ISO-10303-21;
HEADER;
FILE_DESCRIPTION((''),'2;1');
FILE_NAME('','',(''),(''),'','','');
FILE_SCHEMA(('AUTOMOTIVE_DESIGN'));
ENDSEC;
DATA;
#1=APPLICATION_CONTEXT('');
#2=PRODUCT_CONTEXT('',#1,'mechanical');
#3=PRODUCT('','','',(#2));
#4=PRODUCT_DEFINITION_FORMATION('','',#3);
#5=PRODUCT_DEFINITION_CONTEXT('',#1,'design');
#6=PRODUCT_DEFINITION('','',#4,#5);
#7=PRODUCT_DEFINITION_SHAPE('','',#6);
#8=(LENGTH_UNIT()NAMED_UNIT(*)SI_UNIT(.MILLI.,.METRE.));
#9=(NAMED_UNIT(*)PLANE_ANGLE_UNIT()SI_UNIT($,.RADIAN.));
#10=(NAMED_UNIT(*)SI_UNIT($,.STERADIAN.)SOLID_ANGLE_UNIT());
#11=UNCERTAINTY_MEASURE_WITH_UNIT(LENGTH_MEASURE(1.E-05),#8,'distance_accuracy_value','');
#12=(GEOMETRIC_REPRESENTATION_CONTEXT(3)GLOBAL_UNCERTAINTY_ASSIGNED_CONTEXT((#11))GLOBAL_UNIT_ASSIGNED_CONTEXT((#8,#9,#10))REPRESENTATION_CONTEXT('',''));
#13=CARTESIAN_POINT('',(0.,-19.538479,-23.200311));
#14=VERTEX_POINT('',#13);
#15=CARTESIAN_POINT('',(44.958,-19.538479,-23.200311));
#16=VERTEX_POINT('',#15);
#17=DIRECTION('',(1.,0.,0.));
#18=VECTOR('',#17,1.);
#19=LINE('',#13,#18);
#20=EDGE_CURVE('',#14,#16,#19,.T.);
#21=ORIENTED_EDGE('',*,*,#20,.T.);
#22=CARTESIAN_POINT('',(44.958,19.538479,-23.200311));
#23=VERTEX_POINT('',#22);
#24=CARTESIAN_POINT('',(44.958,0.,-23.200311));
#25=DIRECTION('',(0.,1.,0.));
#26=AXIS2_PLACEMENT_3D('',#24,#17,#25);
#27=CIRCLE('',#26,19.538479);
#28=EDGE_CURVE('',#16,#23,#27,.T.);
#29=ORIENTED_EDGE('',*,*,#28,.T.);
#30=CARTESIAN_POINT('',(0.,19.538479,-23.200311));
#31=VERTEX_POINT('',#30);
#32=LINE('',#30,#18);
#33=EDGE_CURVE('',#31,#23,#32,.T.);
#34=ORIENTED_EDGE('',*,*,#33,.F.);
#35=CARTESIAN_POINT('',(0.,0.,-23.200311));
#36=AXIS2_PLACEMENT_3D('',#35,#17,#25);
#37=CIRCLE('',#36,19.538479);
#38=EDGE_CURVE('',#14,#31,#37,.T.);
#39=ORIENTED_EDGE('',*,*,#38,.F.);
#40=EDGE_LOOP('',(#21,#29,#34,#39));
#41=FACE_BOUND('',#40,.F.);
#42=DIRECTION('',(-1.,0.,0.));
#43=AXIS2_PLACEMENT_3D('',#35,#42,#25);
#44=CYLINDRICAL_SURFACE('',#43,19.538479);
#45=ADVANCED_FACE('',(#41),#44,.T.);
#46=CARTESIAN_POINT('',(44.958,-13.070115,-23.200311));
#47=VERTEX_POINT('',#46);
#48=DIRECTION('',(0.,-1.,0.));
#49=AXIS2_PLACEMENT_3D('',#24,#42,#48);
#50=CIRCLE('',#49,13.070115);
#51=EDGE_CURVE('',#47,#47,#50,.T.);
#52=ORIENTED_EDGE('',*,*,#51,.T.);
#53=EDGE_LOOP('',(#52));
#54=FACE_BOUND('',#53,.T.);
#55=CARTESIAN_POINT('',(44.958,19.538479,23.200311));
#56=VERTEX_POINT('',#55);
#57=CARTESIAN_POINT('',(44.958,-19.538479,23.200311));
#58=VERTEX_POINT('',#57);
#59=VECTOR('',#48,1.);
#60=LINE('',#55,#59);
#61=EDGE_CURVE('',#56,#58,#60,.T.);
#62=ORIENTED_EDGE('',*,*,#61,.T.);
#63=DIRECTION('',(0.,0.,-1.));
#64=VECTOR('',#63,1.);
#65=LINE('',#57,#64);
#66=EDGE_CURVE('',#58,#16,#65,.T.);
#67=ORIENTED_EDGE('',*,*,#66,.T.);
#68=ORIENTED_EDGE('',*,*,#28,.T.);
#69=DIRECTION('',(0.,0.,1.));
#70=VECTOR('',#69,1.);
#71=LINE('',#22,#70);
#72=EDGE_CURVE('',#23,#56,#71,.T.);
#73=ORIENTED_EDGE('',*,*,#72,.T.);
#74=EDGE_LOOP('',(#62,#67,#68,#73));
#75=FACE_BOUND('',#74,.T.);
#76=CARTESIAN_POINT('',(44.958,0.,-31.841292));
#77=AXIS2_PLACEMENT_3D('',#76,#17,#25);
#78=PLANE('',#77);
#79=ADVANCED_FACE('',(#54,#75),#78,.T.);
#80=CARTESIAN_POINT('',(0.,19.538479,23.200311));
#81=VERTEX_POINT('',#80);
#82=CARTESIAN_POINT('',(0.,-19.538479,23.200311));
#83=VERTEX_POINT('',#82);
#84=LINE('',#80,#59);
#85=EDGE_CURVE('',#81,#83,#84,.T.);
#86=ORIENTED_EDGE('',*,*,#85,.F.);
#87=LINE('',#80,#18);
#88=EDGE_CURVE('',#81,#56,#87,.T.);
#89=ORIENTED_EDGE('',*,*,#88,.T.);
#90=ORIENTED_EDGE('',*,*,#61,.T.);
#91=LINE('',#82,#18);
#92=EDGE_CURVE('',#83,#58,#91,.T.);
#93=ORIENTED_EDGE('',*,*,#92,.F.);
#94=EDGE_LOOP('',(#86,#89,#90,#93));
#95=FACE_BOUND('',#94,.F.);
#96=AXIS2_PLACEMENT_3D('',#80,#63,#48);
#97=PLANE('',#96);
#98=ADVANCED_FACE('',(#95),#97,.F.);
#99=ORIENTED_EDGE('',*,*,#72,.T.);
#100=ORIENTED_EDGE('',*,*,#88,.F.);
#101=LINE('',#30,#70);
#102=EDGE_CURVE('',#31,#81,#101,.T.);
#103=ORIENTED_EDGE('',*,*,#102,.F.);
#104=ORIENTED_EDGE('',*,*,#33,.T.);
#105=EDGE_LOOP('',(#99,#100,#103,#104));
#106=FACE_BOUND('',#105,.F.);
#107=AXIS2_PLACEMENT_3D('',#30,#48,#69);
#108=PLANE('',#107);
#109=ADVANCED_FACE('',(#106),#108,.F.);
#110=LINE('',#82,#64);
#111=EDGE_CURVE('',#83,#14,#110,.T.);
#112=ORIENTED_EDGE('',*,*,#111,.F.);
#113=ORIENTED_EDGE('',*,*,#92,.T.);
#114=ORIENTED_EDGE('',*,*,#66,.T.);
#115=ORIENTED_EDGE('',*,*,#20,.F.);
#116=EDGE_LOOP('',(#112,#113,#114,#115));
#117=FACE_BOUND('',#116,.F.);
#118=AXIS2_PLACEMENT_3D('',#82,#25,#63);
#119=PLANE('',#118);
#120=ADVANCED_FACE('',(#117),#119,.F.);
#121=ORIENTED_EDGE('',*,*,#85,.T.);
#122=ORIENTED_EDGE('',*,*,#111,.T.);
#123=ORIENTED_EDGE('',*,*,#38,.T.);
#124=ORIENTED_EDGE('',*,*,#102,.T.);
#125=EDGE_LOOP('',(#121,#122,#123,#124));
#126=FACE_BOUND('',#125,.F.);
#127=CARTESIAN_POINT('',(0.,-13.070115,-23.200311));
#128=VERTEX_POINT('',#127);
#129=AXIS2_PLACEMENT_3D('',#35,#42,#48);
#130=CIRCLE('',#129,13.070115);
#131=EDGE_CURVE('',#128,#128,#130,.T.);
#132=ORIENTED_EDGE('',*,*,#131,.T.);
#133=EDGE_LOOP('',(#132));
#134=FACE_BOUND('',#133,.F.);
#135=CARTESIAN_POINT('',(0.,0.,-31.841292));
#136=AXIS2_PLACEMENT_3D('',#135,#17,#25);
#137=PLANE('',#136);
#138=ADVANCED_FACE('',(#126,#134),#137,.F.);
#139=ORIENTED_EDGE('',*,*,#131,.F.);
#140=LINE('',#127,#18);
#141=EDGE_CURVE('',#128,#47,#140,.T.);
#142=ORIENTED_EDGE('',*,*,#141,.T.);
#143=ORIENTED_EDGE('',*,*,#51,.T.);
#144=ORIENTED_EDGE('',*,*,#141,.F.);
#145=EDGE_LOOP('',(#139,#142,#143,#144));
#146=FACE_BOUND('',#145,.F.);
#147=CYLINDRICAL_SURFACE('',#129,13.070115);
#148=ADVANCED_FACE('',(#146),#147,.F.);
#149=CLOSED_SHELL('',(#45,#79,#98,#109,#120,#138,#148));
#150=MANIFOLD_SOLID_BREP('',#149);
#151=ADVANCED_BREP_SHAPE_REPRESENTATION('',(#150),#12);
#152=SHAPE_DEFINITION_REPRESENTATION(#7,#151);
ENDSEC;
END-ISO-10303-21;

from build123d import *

# Parameters (mm, degrees)
F1_DEPTH = 44.958


with BuildPart() as f1:
    # F0 (on Right) → F1 (new body)
    with BuildSketch(Plane.YZ):
        with BuildLine():
            Line((19.538479, -23.200311), (13.070115, -23.200311))
            ThreePointArc((13.070115, -23.200311), (0, -36.270426), (-13.070115, -23.200311))
            Line((-13.070115, -23.200311), (-19.538479, -23.200311))
            ThreePointArc((-19.538479, -23.200311), (0, -42.73879), (19.538479, -23.200311))
        make_face()
        with BuildLine():
            ThreePointArc((-13.070115, -23.200311), (0, -10.130196), (13.070115, -23.200311))
            Line((13.070115, -23.200311), (19.538479, -23.200311))
            ThreePointArc((19.538479, -23.200311), (0, -3.661832), (-19.538479, -23.200311))
            Line((-19.538479, -23.200311), (-13.070115, -23.200311))
        make_face()
        with BuildLine():
            ThreePointArc((-19.538479, -23.200311), (0, -3.661832), (19.538479, -23.200311))
            Line((19.538479, -23.200311), (19.538479, 23.200311))
            Line((19.538479, 23.200311), (-19.538479, 23.200311))
            Line((-19.538479, 23.200311), (-19.538479, -23.200311))
        make_face()
    extrude(amount=F1_DEPTH)


solid = f1.part
